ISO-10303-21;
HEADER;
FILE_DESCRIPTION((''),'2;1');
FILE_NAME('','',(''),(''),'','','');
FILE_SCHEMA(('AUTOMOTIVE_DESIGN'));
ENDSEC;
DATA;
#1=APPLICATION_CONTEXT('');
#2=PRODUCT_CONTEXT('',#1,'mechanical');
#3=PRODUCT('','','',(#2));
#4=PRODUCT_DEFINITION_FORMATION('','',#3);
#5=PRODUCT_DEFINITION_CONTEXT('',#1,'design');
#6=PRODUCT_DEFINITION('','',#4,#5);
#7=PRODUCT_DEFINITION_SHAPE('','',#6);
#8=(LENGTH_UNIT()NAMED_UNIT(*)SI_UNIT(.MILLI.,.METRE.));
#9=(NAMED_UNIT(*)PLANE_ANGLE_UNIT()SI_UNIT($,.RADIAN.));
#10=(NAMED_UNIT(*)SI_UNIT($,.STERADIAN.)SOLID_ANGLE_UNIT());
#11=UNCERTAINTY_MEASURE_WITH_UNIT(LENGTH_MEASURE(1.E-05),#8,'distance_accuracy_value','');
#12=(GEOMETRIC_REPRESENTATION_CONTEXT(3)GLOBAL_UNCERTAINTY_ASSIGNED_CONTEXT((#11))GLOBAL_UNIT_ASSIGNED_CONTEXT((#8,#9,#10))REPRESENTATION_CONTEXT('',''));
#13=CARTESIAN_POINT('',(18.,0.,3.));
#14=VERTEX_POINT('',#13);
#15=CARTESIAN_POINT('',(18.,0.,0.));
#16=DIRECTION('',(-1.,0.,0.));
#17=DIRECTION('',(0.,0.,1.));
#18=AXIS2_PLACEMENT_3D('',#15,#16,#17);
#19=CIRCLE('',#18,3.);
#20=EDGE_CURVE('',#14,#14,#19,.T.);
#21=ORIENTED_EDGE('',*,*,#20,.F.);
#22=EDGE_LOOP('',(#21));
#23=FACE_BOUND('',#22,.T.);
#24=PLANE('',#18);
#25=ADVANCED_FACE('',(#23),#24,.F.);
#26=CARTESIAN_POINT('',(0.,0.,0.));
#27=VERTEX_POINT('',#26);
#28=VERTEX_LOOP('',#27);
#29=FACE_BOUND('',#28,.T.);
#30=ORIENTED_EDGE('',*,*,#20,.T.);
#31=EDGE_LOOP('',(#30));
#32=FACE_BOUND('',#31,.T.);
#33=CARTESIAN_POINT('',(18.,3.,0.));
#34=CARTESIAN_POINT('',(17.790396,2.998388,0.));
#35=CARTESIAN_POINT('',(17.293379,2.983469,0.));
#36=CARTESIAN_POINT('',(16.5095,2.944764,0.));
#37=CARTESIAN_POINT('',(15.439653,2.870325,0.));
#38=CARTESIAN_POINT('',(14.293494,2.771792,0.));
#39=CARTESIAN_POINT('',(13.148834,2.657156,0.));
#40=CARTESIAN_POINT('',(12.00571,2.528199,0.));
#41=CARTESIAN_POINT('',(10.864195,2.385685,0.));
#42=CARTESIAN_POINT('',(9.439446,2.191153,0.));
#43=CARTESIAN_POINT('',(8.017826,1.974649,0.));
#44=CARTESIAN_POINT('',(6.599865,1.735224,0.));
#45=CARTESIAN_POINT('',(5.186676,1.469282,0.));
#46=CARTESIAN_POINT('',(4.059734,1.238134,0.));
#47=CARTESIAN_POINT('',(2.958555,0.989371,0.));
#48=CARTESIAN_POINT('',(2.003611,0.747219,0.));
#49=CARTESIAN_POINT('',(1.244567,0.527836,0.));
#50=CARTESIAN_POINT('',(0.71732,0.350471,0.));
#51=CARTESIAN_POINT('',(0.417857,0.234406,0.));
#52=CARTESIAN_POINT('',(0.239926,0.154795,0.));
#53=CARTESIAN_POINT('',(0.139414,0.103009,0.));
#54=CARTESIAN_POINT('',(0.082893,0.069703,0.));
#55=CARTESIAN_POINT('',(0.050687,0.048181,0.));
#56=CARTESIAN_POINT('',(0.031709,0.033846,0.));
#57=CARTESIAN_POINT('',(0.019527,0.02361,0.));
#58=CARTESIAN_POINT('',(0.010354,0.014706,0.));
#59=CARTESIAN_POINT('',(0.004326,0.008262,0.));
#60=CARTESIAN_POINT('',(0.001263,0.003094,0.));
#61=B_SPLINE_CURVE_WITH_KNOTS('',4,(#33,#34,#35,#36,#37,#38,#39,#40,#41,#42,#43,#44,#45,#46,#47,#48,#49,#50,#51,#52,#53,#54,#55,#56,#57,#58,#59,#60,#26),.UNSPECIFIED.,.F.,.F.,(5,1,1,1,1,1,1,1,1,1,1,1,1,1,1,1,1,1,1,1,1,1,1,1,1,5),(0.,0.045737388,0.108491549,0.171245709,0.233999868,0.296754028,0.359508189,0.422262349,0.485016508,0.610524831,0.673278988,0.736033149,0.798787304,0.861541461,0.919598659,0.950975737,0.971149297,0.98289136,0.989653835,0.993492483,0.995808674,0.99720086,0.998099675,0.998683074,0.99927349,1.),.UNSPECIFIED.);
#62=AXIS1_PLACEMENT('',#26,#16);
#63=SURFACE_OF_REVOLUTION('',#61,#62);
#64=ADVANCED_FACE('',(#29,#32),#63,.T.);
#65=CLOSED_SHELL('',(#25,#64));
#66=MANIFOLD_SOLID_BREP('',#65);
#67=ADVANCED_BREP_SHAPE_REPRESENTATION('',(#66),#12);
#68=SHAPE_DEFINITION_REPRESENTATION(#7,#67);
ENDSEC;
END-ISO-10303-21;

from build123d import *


with BuildPart() as part:
    # Sketch7 → Revolve7 (revolve)
    with BuildSketch(Plane.XY):
        with BuildLine():
            Line((0, 0), (18, 0))
            Line((18, 0), (18, 3))
            add(Edge.make_bspline(
                [(0, 0), (0.001263412, 0.003094352), (0.004325575, 0.008261734), (0.010354487, 0.014705547), (0.019526987, 0.023609988), (0.031709098, 0.033845948), (0.050687444, 0.048181132), (0.082893103, 0.069703118), (0.139413795, 0.103009404), (0.239926459, 0.15479475), (0.417857455, 0.234406133), (0.71731954, 0.350470877), (1.244566533, 0.527836288), (2.003611252, 0.74721866), (2.958555244, 0.989370662), (4.059733569, 1.238133841), (5.18667607, 1.46928195), (6.599865051, 1.735223846), (8.017826162, 1.974649424), (9.439446492, 2.191152564), (10.864194903, 2.385684676), (12.005709822, 2.52819926), (13.148833991, 2.657155946), (14.293494388, 2.771792374), (15.439652687, 2.870325286), (16.509500401, 2.944763651), (17.293379145, 2.983468626), (17.790396435, 2.998387761), (18, 3)],
                knots=[0, 0, 0, 0, 0, 0.00072651, 0.001316926, 0.001900325, 0.00279914, 0.004191326, 0.006507517, 0.010346165, 0.01710864, 0.028850703, 0.049024263, 0.080401341, 0.138458539, 0.201212696, 0.263966851, 0.326721012, 0.389475169, 0.514983492, 0.577737651, 0.640491811, 0.703245972, 0.766000132, 0.828754291, 0.891508451, 0.954262612, 1, 1, 1, 1, 1], degree=4))
        make_face()
    revolve(axis=Axis((0, 0, 0), (1, 0, 0)))


solid = part.part
